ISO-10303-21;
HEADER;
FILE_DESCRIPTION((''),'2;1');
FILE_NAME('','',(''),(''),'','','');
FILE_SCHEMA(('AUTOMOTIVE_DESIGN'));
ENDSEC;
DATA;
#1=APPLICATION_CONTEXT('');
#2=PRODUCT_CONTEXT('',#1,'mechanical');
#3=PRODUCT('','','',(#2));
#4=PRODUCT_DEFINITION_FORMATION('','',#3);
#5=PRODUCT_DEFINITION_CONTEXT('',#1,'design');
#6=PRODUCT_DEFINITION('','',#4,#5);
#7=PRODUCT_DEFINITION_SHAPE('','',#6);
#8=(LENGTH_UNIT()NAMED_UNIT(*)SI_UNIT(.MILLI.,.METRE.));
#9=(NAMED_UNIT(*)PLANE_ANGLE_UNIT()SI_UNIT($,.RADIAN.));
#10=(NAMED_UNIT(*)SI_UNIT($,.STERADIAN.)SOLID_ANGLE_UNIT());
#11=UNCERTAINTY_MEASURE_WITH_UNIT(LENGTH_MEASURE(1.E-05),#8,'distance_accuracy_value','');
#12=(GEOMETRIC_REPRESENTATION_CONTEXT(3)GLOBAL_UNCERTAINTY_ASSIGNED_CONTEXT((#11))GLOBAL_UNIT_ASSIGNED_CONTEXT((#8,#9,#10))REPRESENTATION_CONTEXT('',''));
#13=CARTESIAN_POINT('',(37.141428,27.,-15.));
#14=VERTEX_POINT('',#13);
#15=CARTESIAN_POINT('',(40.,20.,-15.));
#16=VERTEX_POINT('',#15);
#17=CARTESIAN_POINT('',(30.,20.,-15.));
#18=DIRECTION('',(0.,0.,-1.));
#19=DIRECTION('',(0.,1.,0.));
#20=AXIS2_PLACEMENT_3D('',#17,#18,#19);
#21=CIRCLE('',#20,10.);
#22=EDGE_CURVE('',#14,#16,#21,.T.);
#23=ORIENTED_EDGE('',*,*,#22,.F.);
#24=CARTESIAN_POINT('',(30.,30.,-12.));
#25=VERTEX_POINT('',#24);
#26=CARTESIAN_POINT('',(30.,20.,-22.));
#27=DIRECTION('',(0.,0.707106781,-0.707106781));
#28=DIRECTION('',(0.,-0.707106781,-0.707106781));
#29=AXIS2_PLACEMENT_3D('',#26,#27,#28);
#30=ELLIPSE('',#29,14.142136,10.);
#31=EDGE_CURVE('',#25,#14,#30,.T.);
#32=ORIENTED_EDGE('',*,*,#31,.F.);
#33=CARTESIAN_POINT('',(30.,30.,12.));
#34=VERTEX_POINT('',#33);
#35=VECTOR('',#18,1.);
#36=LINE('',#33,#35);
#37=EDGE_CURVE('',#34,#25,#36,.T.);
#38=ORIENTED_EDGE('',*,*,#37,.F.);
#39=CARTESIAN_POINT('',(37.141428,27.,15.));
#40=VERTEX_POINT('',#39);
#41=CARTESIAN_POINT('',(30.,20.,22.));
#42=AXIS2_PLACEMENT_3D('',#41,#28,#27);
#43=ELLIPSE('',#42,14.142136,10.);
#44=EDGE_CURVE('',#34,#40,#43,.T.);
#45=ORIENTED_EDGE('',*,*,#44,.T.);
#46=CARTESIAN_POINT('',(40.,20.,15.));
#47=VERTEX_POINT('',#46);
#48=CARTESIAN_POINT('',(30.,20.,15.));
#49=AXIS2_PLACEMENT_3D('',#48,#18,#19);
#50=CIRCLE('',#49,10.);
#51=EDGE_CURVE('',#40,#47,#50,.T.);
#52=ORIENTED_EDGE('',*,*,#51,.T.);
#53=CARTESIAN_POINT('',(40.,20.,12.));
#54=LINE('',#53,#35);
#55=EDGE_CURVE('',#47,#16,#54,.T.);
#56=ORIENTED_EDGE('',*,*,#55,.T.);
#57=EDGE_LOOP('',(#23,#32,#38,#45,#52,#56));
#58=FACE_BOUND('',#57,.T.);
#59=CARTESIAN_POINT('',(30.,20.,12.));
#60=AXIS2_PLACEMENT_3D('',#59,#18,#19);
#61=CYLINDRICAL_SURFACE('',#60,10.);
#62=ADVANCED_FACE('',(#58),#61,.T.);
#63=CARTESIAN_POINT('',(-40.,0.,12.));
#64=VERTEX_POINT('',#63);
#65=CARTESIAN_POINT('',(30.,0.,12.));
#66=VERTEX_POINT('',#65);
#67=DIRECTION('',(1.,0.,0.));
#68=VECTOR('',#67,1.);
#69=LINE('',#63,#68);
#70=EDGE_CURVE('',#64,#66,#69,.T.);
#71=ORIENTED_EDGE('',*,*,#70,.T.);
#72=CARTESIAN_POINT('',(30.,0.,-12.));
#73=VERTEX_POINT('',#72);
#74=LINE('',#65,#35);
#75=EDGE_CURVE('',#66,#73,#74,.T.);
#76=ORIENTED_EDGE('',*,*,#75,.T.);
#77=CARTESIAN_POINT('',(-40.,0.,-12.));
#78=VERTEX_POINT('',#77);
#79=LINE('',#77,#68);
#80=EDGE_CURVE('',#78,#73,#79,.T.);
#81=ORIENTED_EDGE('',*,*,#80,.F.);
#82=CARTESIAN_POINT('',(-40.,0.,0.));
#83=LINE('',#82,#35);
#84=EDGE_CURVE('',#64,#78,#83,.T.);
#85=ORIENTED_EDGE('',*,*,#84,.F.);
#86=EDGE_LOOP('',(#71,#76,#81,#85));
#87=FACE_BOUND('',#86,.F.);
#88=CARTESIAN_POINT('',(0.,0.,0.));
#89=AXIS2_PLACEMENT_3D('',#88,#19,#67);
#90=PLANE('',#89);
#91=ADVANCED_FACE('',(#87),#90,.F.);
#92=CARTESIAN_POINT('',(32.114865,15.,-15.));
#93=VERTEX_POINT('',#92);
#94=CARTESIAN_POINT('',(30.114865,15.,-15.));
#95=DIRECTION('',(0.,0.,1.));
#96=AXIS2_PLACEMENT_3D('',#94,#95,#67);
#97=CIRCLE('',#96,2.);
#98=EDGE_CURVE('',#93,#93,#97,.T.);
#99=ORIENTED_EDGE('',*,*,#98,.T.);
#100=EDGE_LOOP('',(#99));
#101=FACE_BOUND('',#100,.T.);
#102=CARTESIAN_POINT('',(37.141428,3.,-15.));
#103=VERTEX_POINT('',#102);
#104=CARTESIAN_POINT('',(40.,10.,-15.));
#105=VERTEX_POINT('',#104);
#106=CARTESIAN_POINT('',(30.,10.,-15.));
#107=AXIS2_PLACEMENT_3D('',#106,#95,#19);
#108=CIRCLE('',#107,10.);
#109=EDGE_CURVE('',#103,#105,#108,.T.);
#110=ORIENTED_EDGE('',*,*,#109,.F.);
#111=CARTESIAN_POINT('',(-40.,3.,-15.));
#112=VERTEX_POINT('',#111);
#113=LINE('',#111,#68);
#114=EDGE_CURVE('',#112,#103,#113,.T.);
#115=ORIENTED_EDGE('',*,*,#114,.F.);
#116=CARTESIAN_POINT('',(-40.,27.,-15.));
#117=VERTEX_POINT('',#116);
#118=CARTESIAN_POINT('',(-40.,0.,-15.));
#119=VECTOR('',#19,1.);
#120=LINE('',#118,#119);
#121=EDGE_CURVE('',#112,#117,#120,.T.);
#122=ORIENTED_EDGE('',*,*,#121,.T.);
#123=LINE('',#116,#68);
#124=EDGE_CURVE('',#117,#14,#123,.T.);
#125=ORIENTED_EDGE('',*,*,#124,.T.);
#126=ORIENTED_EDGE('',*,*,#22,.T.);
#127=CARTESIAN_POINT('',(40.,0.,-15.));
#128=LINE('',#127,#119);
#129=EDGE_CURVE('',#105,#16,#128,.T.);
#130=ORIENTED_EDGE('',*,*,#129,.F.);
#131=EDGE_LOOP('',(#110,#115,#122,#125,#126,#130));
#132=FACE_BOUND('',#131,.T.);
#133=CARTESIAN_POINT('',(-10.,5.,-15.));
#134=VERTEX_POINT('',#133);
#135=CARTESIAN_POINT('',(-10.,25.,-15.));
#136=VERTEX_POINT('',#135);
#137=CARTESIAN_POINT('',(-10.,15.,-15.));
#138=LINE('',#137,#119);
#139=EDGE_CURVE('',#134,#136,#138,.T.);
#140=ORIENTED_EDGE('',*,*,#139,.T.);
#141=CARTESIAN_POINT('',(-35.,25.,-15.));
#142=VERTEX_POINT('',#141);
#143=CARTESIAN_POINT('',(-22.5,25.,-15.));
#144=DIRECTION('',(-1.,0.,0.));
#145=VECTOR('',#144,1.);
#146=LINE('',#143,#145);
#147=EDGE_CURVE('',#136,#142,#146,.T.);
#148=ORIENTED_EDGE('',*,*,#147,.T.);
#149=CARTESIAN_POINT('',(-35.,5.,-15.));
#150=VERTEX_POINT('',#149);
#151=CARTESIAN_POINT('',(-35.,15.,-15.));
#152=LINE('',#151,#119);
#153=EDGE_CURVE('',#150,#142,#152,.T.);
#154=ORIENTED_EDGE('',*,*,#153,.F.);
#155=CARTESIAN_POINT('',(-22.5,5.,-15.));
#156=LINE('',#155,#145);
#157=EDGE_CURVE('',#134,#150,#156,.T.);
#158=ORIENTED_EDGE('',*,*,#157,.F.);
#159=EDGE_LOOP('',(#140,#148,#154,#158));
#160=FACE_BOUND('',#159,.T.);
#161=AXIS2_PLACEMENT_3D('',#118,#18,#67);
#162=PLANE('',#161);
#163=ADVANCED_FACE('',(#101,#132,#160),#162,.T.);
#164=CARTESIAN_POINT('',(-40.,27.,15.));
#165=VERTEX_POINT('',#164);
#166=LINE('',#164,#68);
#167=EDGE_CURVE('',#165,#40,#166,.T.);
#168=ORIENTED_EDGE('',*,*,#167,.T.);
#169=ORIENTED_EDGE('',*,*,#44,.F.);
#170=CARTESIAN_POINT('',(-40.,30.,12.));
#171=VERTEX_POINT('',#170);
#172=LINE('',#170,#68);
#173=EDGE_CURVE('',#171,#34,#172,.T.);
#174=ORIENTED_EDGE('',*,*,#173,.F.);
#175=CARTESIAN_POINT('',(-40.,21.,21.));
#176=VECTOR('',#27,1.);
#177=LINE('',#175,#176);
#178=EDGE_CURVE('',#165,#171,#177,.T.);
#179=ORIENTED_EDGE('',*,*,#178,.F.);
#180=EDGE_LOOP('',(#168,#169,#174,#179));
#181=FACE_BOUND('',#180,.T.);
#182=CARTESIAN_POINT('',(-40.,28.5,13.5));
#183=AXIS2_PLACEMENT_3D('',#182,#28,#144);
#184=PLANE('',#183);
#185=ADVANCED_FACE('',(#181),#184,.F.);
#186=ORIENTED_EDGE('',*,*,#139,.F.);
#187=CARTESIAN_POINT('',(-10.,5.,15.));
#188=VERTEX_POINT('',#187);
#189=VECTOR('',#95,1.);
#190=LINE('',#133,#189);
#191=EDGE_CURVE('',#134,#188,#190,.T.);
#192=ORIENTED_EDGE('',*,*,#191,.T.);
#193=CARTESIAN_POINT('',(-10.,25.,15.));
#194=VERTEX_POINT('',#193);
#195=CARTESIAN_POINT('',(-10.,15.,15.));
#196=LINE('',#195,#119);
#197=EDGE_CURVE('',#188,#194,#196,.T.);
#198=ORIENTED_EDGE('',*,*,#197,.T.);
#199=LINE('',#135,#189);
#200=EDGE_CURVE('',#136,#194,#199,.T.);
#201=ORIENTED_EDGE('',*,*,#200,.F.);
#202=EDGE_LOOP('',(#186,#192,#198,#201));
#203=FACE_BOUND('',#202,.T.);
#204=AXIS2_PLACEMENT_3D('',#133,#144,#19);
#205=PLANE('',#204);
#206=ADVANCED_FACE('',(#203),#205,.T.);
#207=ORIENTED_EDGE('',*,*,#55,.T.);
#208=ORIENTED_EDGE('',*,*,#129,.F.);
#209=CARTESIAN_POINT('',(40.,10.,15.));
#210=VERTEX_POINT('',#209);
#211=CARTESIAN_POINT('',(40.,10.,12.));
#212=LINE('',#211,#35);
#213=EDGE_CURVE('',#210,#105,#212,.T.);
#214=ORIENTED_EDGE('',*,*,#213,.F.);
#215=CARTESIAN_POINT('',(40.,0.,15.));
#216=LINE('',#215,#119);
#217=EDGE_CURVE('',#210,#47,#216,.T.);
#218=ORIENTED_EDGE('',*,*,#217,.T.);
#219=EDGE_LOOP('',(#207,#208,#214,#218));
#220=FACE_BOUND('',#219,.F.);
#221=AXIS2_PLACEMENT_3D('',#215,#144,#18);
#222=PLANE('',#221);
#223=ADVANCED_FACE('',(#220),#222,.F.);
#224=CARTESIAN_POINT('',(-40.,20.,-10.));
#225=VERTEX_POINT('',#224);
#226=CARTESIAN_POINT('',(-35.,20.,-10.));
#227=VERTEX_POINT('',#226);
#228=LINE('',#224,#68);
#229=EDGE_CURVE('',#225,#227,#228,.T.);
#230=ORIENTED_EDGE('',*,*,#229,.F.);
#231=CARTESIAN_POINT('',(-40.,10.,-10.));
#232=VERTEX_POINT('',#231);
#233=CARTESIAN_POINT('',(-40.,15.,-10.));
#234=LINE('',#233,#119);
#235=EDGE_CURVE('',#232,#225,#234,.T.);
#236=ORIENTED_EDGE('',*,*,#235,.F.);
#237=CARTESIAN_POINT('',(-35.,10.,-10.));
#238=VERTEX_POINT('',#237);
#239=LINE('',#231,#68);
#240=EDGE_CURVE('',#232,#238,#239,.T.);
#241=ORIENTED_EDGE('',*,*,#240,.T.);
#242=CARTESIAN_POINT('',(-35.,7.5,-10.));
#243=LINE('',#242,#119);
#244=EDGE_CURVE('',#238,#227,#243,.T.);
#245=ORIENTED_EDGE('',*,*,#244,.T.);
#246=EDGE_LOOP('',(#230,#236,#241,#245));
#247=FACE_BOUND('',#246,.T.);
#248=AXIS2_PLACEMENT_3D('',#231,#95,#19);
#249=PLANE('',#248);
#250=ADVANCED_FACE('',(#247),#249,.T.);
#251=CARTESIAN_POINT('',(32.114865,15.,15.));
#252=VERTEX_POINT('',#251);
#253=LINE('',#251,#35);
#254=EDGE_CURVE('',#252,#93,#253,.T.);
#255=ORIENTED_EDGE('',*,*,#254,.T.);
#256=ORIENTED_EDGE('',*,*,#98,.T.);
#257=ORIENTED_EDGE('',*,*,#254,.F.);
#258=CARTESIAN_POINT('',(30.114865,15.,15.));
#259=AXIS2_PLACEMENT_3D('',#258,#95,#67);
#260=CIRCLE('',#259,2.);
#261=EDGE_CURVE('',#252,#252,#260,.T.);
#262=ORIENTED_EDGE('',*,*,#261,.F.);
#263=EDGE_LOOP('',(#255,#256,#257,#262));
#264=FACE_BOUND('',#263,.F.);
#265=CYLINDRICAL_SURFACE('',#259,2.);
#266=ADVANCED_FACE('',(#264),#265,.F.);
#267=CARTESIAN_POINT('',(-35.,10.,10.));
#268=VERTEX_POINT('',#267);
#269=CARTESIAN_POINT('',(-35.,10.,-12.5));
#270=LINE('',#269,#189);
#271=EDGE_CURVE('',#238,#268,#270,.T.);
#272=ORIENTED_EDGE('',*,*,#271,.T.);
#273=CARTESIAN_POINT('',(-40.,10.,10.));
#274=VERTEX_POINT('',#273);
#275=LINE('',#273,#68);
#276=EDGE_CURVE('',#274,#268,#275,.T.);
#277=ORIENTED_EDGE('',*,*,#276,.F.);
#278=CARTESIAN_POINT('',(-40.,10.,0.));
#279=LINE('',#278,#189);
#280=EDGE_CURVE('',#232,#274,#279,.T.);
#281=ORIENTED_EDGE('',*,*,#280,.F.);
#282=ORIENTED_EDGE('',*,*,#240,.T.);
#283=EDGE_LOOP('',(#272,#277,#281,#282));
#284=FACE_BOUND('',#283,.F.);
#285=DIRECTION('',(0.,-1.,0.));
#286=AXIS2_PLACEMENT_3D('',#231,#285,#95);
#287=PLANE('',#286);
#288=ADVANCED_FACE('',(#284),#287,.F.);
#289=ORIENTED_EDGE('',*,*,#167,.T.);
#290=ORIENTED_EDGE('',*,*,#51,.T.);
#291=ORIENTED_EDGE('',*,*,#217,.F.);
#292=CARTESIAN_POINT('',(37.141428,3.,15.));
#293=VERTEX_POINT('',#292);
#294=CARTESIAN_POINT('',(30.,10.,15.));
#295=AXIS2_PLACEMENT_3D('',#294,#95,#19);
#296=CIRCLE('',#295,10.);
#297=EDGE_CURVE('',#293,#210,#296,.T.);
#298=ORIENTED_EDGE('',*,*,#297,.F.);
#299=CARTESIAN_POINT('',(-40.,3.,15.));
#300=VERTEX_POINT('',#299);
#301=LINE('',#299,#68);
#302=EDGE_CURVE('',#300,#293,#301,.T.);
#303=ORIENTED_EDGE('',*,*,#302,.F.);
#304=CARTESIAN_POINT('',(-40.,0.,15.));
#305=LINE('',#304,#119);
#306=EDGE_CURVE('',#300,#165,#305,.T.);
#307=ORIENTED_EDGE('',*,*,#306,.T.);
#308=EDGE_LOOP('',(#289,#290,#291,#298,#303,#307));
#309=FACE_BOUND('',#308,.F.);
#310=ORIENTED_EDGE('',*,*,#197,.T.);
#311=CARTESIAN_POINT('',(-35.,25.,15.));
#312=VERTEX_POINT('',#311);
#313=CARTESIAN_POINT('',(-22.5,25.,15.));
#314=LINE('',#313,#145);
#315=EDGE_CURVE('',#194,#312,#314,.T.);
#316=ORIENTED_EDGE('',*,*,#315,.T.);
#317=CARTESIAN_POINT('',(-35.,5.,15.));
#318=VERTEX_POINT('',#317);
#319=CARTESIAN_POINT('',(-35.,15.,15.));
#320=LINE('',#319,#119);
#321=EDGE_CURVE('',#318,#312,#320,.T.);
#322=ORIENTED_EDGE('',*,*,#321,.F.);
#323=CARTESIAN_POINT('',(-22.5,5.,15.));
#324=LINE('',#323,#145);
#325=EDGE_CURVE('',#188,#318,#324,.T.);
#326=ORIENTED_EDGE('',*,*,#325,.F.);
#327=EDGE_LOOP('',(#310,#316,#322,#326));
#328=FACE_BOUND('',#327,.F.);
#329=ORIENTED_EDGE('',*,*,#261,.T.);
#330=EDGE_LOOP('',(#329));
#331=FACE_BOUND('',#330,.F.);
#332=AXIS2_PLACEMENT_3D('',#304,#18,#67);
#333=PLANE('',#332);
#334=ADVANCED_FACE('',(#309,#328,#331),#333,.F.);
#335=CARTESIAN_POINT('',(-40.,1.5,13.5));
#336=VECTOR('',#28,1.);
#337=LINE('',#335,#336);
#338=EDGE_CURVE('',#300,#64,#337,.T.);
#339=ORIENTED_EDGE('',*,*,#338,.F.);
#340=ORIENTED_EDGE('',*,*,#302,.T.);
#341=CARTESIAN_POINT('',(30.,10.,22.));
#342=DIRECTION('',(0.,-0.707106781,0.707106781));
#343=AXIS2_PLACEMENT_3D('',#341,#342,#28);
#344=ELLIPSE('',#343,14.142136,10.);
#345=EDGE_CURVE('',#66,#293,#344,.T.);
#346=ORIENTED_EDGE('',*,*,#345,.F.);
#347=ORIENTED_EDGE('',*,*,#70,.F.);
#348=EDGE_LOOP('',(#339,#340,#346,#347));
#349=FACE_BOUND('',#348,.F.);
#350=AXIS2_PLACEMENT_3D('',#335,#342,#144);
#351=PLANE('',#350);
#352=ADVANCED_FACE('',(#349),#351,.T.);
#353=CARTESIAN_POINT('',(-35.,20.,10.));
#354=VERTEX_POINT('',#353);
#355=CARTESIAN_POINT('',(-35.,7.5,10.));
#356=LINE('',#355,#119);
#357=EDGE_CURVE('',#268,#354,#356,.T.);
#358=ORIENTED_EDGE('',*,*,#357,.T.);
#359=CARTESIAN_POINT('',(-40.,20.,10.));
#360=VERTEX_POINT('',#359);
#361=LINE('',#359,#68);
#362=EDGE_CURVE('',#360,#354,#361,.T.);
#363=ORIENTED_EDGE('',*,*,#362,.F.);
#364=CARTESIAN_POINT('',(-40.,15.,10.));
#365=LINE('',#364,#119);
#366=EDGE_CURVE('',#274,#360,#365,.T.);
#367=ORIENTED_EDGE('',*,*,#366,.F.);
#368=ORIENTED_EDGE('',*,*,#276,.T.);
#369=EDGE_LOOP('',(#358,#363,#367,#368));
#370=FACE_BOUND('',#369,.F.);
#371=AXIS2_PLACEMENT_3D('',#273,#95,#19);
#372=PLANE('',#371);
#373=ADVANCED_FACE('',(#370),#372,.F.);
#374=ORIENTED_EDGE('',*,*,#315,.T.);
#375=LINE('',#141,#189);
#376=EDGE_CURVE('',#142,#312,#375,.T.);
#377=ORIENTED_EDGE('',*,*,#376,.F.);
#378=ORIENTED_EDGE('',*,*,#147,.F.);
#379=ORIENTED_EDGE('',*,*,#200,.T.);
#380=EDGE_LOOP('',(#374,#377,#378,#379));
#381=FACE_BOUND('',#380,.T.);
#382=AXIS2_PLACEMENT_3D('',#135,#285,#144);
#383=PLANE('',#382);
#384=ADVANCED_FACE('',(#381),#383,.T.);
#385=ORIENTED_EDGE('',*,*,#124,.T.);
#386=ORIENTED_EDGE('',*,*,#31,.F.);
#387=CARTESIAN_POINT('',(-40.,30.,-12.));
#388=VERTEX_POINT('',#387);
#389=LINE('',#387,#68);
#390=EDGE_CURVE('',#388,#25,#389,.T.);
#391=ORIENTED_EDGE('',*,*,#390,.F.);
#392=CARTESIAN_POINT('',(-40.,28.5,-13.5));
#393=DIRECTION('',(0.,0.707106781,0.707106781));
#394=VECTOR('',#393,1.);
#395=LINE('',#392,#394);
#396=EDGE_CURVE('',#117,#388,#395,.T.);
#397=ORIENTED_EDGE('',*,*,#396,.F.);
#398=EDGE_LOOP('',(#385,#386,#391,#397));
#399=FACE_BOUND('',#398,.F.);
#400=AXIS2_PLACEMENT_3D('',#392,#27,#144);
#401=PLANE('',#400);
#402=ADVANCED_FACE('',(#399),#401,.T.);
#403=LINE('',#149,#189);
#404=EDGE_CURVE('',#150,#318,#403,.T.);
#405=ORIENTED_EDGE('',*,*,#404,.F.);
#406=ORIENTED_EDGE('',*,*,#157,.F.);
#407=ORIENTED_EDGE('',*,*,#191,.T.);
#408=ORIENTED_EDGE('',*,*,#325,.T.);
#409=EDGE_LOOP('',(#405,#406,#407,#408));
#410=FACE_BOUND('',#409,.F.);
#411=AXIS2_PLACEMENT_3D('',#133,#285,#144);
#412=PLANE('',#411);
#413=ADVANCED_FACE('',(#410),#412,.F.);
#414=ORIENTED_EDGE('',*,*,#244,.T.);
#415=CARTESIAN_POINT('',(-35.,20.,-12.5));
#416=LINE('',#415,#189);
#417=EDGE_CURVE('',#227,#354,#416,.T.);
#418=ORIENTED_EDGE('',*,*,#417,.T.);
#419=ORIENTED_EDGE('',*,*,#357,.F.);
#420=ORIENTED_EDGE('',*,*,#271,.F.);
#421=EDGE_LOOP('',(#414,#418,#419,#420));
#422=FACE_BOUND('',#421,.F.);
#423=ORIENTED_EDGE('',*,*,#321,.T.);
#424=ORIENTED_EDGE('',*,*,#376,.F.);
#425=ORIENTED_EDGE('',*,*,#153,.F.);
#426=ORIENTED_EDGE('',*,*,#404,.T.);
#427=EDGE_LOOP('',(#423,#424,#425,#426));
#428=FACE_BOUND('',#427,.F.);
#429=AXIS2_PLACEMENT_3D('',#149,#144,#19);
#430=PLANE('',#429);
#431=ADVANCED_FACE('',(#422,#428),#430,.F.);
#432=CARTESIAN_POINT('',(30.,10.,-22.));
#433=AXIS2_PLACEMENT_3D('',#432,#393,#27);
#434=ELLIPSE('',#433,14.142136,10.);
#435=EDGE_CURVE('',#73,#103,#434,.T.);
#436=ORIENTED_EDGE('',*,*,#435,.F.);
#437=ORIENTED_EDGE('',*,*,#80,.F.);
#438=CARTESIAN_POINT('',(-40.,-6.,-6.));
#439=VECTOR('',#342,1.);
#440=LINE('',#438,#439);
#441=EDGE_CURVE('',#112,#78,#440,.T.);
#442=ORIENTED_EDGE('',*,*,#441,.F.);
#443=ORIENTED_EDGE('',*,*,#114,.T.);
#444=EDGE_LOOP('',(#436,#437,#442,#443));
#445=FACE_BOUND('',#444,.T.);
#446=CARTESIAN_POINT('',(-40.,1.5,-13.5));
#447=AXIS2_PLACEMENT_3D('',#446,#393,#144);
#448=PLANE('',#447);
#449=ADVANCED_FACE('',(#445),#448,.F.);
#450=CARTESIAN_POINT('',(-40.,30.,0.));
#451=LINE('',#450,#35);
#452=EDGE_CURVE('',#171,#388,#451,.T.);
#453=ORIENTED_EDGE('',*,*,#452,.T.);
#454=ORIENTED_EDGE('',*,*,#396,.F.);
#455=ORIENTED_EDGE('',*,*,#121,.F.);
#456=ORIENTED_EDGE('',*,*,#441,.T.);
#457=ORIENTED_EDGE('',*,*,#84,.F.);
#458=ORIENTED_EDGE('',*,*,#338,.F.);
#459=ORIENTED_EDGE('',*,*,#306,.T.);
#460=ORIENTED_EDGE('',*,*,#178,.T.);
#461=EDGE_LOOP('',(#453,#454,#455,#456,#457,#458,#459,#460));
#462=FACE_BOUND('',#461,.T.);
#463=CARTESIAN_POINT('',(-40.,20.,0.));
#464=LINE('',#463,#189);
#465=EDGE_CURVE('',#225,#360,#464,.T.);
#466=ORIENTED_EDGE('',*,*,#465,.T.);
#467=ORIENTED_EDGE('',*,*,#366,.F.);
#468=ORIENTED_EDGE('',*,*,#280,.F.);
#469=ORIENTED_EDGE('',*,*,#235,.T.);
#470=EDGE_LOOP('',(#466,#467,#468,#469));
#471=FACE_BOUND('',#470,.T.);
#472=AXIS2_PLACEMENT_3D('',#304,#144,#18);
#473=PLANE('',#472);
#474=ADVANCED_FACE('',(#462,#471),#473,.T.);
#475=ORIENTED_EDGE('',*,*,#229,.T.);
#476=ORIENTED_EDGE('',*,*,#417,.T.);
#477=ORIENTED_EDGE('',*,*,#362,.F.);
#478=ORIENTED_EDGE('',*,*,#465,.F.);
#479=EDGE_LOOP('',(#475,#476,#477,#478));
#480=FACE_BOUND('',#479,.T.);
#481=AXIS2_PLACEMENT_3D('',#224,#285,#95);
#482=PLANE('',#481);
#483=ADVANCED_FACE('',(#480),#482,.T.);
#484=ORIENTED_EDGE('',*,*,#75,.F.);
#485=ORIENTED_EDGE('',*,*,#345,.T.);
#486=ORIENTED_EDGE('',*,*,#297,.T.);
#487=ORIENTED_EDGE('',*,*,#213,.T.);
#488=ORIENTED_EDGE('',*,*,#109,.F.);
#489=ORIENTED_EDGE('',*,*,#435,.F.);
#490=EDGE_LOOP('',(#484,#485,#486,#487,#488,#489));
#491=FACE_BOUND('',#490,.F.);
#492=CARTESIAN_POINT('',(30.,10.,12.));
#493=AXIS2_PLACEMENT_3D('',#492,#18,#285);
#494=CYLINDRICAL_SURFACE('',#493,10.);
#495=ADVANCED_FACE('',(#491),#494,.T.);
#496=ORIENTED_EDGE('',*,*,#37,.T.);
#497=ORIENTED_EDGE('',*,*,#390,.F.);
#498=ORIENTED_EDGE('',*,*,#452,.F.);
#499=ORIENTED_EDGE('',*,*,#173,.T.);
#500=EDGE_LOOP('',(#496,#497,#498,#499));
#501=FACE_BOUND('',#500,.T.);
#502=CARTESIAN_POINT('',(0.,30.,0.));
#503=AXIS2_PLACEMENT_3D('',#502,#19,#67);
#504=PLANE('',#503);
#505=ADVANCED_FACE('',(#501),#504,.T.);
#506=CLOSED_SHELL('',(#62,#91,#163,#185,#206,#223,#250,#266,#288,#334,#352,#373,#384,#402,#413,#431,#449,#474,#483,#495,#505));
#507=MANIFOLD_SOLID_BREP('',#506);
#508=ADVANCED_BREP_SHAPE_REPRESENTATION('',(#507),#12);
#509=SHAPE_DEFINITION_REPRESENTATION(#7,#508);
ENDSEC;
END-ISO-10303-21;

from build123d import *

# Parameters (mm, degrees)
SKETCH1_W           = 80
SKETCH1_H           = 30
BOSS_EXTRUDE1_DEPTH = 30
SKETCH2_R           = 2
CUT_EXTRUDE1_DEPTH  = 30
CHAMFER1_SIZE       = 3
SKETCH3_W           = 25
SKETCH3_H           = 20
CUT_EXTRUDE2_DEPTH  = 30
SKETCH4_W           = 20
SKETCH4_H           = 10
CUT_EXTRUDE3_DEPTH  = 20
FILLET1_R           = 10


with BuildPart() as part:
    # Sketch1 → Boss-Extrude1 (new body)
    with BuildSketch(Plane(origin=(0, 0, 0), x_dir=(1, 0, 0), z_dir=(0, 1, 0))):
        Rectangle(SKETCH1_W, SKETCH1_H)
    extrude(amount=BOSS_EXTRUDE1_DEPTH)

    # Sketch2 → Cut-Extrude1 (cut)
    with BuildSketch(Plane.XY.offset(15)):
        with Locations((30.11486463, 15)):
            Circle(SKETCH2_R)
    extrude(amount=-CUT_EXTRUDE1_DEPTH, mode=Mode.SUBTRACT)

    # Chamfer1
    chamfer1_edges = [part.edges().sort_by_distance(p)[0] for p in [
        (0, 30, 15),
        (0, 0, 15),
        (0, 0, -15),
        (0, 30, -15),
    ]]
    chamfer(chamfer1_edges, length=CHAMFER1_SIZE)

    # Sketch3 → Cut-Extrude2 (cut)
    with BuildSketch(Plane(origin=(0, 0, -15), x_dir=(-1, 0, 0), z_dir=(0, 0, -1))):
        with Locations((22.5, 15)):
            Rectangle(SKETCH3_W, SKETCH3_H)
    extrude(amount=-CUT_EXTRUDE2_DEPTH, mode=Mode.SUBTRACT)

    # Sketch4 → Cut-Extrude3 (cut)
    with BuildSketch(Plane.ZY.offset(40)):
        with Locations((0, 15)):
            Rectangle(SKETCH4_W, SKETCH4_H)
    extrude(amount=-CUT_EXTRUDE3_DEPTH, mode=Mode.SUBTRACT)

    # Fillet1
    fillet1_edges = [part.edges().sort_by_distance(p)[0] for p in [
        (40, 0, 0),
        (40, 30, 0),
    ]]
    fillet(fillet1_edges, radius=FILLET1_R)


solid = part.part
